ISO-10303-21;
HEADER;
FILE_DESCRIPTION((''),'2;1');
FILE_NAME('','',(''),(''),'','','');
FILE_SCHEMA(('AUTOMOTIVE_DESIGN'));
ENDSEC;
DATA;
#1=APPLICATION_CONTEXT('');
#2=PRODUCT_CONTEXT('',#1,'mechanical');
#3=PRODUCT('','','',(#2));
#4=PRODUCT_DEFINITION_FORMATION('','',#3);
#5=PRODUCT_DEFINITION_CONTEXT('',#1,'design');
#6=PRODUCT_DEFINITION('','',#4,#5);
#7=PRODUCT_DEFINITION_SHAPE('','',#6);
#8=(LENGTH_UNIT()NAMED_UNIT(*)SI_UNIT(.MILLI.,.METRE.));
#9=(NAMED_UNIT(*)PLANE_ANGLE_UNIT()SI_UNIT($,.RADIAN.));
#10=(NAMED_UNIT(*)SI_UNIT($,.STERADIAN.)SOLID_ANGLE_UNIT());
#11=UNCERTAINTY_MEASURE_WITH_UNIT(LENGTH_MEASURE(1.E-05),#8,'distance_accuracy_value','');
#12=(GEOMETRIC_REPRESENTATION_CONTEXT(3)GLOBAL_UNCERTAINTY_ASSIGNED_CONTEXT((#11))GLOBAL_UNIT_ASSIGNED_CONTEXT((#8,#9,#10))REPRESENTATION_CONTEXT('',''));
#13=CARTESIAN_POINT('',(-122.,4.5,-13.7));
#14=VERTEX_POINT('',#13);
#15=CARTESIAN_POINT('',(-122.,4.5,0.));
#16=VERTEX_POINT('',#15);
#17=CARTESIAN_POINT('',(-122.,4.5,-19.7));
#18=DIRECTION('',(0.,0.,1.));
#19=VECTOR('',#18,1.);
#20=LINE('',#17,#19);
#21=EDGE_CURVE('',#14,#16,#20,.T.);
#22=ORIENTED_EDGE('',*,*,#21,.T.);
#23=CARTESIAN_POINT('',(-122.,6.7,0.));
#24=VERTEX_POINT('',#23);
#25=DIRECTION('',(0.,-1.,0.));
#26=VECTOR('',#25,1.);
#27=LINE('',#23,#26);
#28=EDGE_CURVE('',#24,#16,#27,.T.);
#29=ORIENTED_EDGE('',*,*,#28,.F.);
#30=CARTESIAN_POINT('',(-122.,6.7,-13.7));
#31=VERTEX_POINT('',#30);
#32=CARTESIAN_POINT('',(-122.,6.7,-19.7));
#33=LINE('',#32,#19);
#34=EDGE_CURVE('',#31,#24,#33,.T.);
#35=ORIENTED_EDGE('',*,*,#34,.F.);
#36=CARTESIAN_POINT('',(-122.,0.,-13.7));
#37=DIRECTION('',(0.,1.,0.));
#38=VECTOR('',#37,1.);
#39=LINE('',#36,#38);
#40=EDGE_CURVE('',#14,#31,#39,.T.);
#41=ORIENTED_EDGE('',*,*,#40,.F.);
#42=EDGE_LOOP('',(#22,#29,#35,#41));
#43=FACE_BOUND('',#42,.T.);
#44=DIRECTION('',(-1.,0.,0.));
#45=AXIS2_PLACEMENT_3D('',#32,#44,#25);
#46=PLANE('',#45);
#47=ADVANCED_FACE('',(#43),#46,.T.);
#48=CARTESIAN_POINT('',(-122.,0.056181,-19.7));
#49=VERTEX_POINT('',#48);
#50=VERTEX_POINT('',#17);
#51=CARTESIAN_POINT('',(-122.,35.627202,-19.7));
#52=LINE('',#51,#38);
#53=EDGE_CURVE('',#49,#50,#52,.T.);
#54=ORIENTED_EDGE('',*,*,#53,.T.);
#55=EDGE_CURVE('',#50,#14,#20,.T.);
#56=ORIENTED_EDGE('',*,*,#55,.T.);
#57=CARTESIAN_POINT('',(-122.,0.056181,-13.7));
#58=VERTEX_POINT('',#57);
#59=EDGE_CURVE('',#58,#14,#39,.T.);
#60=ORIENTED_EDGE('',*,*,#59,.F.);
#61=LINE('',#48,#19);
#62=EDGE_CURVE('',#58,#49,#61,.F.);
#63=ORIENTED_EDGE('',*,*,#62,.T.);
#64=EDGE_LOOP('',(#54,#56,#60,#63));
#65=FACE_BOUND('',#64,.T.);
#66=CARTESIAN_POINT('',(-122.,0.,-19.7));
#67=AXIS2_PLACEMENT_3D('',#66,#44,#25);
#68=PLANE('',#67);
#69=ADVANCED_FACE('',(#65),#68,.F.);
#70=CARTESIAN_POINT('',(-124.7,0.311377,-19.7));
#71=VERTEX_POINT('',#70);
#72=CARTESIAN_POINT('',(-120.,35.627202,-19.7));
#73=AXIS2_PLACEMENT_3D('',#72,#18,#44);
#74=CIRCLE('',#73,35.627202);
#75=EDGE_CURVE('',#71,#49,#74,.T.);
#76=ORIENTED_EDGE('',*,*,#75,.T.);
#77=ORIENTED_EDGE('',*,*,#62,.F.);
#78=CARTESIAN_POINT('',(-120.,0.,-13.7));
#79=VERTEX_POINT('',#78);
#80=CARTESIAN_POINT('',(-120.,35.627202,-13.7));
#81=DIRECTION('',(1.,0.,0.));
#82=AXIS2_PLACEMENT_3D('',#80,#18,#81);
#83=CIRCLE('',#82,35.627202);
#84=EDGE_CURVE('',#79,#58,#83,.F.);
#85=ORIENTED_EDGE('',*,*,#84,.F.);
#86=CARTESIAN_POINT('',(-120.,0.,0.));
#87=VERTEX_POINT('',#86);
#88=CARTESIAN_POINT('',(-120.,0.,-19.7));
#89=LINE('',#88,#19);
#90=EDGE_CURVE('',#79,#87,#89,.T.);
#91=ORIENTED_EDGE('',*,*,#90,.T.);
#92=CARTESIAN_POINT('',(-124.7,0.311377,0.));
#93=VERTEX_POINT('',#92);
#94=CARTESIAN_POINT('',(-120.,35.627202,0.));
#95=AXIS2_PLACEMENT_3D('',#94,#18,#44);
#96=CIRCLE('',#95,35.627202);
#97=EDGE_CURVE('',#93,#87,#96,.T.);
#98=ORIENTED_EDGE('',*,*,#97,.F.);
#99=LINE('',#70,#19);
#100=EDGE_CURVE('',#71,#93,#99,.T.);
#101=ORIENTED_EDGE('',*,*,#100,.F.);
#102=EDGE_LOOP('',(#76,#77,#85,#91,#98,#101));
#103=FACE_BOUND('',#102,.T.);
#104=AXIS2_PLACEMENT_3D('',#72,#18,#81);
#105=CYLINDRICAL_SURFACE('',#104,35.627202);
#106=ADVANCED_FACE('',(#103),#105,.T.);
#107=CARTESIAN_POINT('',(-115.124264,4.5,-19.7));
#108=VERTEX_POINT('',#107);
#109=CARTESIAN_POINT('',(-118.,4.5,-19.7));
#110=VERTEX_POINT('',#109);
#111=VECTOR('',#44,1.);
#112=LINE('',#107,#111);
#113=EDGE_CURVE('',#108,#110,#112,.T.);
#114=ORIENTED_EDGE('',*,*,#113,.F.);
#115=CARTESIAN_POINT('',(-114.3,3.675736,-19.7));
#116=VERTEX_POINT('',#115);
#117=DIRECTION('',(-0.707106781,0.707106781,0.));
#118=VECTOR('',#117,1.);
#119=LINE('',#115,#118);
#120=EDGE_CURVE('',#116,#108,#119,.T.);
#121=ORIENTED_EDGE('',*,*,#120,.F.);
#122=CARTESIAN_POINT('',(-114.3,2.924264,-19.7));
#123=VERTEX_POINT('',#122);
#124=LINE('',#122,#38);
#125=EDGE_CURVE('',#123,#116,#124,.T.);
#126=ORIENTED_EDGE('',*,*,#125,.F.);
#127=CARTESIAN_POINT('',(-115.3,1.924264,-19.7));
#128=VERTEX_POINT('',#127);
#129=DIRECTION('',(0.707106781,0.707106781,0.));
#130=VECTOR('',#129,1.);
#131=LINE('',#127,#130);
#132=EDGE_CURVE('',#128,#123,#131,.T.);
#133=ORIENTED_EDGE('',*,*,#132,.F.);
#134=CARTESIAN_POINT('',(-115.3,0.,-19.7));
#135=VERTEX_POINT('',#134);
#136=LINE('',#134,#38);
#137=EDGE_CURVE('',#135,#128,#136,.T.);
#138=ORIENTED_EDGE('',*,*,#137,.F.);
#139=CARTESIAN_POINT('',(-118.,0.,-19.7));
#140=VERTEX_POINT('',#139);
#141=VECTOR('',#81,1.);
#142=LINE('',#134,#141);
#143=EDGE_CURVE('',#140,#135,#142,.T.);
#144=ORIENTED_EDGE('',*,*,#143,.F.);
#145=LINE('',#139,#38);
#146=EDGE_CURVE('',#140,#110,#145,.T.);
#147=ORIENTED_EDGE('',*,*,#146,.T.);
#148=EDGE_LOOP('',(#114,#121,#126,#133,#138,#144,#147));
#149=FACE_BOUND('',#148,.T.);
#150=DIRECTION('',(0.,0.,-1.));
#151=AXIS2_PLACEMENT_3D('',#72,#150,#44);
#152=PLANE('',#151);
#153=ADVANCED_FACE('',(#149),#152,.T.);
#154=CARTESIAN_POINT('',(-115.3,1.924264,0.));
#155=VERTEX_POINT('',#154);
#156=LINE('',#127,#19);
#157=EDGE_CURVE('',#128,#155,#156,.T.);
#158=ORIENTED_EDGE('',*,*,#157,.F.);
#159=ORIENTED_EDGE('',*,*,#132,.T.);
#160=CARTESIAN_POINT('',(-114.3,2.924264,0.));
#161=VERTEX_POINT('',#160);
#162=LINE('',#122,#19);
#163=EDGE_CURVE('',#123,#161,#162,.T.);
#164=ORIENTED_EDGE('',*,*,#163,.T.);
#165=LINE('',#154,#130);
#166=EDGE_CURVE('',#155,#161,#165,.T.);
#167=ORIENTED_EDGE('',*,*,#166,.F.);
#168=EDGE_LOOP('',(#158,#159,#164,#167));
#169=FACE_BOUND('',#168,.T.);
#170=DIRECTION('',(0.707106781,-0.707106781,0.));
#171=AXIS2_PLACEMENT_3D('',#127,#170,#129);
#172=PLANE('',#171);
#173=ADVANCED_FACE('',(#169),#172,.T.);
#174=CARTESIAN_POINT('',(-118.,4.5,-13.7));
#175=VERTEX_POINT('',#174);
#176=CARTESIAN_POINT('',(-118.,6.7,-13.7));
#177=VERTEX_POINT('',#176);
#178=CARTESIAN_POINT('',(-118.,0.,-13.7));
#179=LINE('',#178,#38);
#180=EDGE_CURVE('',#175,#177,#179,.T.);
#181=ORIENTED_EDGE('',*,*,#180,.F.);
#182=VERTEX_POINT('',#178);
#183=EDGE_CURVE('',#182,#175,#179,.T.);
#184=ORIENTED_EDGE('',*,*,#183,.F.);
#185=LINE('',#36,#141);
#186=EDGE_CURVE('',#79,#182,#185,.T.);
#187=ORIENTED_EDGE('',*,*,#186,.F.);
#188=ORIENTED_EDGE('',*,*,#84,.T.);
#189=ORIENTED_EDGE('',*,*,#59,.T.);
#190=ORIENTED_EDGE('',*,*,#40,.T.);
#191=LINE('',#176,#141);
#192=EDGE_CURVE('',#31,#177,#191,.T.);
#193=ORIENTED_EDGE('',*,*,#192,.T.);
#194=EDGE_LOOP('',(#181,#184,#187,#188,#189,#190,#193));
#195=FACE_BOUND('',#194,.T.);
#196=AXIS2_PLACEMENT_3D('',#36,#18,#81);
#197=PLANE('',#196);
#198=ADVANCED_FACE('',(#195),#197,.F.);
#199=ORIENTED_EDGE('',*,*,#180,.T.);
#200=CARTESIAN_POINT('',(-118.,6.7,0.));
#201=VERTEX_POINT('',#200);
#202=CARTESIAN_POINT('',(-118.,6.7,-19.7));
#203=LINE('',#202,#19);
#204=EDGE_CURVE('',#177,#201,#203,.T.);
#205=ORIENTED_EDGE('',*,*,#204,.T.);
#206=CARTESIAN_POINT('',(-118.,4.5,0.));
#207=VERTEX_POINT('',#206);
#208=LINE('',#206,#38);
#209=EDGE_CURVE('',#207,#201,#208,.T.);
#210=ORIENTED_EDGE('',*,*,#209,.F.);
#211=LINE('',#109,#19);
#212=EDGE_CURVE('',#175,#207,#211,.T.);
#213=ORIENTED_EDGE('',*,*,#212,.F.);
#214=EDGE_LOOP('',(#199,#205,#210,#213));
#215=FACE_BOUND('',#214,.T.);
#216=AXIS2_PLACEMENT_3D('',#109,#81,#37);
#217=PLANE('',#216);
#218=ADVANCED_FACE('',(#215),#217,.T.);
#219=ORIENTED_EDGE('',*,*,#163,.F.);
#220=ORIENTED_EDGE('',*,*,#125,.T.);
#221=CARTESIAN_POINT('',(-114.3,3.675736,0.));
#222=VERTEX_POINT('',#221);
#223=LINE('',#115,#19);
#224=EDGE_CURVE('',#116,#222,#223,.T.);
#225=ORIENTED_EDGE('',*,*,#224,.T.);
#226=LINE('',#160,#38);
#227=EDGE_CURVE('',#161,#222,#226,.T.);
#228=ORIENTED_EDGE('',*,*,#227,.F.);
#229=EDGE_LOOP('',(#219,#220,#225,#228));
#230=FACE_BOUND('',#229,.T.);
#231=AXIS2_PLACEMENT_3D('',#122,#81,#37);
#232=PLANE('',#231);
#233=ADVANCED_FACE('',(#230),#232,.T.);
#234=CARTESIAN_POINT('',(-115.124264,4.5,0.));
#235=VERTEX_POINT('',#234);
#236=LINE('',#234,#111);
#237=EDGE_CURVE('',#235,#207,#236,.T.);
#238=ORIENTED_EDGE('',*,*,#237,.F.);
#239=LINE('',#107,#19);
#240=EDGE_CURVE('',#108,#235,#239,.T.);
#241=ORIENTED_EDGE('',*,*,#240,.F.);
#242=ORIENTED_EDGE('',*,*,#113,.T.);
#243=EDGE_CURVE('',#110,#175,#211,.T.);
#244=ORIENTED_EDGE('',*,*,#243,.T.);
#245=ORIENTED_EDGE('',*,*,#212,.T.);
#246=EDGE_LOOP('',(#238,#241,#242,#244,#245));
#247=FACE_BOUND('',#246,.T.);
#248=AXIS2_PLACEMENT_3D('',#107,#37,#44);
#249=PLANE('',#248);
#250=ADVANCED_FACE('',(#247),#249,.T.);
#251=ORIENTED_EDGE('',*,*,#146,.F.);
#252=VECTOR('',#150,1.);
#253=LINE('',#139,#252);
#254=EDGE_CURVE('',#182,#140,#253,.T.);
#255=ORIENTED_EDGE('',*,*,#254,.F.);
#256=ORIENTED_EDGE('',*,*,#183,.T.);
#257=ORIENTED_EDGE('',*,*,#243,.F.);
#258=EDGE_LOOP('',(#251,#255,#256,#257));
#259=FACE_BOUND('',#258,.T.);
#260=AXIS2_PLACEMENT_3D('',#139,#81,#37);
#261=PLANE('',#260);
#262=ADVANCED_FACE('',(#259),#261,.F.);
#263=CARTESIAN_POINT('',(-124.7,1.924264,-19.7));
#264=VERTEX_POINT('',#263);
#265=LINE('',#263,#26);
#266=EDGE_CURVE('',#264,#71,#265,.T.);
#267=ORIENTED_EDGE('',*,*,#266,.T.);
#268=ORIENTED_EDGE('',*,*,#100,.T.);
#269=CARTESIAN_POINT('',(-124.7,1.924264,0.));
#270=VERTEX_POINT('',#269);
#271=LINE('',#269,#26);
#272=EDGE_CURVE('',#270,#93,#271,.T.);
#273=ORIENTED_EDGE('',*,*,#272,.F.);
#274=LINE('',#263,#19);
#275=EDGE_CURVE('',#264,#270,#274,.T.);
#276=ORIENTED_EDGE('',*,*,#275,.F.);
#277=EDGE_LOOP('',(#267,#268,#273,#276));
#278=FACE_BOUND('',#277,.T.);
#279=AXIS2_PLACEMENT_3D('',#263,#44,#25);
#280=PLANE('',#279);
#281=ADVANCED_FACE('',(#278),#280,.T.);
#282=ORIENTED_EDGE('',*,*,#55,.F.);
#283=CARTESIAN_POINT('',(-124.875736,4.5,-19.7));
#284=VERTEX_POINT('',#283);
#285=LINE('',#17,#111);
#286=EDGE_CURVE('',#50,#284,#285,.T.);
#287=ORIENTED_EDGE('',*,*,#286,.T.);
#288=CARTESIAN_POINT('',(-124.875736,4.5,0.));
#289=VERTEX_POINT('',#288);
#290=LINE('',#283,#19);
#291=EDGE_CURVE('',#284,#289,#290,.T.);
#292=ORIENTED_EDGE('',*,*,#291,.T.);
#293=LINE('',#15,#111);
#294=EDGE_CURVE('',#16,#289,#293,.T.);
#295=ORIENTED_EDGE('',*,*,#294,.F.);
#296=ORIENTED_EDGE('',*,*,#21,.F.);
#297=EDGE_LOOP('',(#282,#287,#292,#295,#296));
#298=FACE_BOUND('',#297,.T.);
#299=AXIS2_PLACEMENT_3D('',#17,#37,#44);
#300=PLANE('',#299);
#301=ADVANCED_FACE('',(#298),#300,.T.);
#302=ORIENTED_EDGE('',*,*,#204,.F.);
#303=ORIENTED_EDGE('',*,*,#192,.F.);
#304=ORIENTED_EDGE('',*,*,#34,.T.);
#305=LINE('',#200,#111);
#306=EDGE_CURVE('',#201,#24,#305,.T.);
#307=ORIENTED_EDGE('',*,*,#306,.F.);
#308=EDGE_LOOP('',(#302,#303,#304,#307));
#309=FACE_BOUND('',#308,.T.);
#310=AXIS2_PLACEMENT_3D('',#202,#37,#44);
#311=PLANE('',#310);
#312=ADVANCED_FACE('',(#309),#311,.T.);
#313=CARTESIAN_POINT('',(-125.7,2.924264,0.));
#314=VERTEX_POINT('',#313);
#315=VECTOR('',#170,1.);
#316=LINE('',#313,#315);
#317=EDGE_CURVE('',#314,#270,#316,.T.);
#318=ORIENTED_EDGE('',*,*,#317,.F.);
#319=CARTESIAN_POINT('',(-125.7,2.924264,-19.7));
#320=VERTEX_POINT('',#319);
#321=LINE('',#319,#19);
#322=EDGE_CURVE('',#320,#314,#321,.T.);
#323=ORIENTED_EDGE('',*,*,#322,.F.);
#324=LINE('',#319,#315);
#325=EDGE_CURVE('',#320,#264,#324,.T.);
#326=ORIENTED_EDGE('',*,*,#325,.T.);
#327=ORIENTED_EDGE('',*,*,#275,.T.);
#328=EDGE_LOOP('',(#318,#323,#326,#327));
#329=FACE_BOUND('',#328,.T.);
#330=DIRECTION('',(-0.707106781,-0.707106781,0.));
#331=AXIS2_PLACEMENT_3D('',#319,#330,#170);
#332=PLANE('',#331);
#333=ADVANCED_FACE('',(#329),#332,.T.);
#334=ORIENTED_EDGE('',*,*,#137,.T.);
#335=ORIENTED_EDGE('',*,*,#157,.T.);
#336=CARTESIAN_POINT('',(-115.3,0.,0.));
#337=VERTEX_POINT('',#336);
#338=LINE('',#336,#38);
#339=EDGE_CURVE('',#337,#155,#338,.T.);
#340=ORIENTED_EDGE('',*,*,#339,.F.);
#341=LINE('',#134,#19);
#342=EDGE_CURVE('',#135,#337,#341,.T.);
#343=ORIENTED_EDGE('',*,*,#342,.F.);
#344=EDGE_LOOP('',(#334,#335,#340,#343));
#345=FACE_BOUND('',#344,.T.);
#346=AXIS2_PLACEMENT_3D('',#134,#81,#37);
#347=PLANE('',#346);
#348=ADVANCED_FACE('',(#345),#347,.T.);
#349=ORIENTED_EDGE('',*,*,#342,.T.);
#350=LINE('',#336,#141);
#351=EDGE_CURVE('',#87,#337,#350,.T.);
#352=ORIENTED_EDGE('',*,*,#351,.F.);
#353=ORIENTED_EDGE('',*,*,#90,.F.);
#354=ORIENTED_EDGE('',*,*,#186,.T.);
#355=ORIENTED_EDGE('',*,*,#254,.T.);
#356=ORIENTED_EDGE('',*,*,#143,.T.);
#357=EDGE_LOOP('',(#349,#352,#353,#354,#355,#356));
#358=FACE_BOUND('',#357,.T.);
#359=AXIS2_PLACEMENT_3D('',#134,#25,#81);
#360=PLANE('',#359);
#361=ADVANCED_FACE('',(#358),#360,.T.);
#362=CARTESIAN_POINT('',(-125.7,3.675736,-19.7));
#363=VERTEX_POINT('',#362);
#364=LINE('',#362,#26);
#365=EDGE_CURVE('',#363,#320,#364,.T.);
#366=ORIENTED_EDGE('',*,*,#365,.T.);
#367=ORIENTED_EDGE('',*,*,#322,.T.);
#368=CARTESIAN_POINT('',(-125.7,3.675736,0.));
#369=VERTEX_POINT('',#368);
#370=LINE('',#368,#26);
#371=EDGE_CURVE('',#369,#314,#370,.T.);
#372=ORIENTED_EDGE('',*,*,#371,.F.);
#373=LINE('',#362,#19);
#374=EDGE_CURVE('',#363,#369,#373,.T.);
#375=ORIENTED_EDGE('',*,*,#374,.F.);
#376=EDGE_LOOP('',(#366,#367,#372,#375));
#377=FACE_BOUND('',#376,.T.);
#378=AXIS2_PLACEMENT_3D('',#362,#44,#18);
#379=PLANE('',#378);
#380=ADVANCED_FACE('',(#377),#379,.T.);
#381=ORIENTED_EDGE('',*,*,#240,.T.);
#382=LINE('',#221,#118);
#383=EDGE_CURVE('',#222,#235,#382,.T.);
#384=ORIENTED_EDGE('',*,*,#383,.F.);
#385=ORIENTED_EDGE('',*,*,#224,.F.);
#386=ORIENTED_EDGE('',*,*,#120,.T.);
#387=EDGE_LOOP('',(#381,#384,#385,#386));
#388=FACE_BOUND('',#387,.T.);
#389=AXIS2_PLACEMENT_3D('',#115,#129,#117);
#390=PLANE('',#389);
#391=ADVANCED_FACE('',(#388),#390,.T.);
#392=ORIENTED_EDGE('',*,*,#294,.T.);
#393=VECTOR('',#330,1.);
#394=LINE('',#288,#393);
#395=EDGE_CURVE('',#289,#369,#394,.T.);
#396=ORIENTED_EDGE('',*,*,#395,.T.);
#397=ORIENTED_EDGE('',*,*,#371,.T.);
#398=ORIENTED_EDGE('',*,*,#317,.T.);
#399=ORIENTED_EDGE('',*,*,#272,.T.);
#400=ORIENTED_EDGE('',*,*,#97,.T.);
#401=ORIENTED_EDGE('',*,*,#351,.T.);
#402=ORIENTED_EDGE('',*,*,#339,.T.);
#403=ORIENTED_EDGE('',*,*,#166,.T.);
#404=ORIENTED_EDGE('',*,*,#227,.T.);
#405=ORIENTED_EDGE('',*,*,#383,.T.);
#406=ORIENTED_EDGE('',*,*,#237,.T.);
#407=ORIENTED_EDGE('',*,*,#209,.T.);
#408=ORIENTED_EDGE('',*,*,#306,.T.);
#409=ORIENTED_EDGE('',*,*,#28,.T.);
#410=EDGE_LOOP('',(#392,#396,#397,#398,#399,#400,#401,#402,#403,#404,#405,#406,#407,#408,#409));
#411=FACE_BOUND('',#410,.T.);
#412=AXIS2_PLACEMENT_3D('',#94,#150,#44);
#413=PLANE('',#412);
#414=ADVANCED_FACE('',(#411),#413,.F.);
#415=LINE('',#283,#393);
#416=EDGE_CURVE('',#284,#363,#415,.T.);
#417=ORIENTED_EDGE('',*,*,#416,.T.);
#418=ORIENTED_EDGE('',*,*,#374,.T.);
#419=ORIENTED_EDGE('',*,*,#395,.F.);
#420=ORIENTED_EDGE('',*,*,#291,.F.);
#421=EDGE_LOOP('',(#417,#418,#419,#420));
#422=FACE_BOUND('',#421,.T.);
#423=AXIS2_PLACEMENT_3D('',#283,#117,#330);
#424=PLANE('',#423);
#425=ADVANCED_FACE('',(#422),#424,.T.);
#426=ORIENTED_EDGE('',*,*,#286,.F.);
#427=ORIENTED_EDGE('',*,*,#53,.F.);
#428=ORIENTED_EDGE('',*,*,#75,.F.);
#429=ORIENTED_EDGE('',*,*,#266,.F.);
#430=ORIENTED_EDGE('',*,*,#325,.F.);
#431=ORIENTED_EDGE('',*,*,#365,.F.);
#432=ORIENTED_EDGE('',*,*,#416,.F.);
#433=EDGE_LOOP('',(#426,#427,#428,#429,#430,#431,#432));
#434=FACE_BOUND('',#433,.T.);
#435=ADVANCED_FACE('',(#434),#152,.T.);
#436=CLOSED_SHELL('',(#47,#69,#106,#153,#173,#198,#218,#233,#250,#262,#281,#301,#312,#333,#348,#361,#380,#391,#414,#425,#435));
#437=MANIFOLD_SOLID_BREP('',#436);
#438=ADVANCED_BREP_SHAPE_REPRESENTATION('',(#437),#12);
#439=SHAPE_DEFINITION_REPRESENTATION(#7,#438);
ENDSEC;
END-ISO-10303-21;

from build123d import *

# Parameters (mm, degrees)
BOSS_EXTRUDE1_DEPTH     = 19.7
CUT_EXTRUDE1_DEPTH      = 128.410635349
CUT_EXTRUDE1_DEPTH_BACK = 128.410635349
SKETCH2_W               = 4
SKETCH2_H               = 6


with BuildPart() as part:
    # Sketch1 → Boss-Extrude1 (new body)
    with BuildSketch(Plane.XY):
        with BuildLine():
            Line((-115.3, 0), (-120, 0))
            ThreePointArc((-120, 0), (-122.355151556, 0.077929384), (-124.7, 0.311376618))
            Line((-124.7, 0.311376618), (-124.7, 1.924264069))
            Line((-124.7, 1.924264069), (-125.7, 2.924264069))
            Line((-125.7, 2.924264069), (-125.7, 3.675735931))
            Line((-125.7, 3.675735931), (-124.875735931, 4.5))
            Line((-124.875735931, 4.5), (-122, 4.5))
            Line((-122, 4.5), (-122, 6.7))
            Line((-122, 6.7), (-118, 6.7))
            Line((-118, 6.7), (-118, 4.5))
            Line((-118, 4.5), (-115.124264069, 4.5))
            Line((-115.124264069, 4.5), (-114.3, 3.675735931))
            Line((-114.3, 3.675735931), (-114.3, 2.924264069))
            Line((-114.3, 2.924264069), (-115.3, 1.924264069))
            Line((-115.3, 1.924264069), (-115.3, 0))
        make_face()
    extrude(amount=-BOSS_EXTRUDE1_DEPTH)

    # Sketch2 → Cut-Extrude1 (cut, two sides: drawn at the far end of the back side and taken through both)
    with BuildSketch(Plane(origin=(0, 6.7, 0), x_dir=(1, 0, 0), z_dir=(0, 1, 0)).offset(-CUT_EXTRUDE1_DEPTH_BACK)):
        with Locations((-120, 16.7)):
            Rectangle(SKETCH2_W, SKETCH2_H)
    extrude(amount=CUT_EXTRUDE1_DEPTH + CUT_EXTRUDE1_DEPTH_BACK, mode=Mode.SUBTRACT)


solid = part.part
